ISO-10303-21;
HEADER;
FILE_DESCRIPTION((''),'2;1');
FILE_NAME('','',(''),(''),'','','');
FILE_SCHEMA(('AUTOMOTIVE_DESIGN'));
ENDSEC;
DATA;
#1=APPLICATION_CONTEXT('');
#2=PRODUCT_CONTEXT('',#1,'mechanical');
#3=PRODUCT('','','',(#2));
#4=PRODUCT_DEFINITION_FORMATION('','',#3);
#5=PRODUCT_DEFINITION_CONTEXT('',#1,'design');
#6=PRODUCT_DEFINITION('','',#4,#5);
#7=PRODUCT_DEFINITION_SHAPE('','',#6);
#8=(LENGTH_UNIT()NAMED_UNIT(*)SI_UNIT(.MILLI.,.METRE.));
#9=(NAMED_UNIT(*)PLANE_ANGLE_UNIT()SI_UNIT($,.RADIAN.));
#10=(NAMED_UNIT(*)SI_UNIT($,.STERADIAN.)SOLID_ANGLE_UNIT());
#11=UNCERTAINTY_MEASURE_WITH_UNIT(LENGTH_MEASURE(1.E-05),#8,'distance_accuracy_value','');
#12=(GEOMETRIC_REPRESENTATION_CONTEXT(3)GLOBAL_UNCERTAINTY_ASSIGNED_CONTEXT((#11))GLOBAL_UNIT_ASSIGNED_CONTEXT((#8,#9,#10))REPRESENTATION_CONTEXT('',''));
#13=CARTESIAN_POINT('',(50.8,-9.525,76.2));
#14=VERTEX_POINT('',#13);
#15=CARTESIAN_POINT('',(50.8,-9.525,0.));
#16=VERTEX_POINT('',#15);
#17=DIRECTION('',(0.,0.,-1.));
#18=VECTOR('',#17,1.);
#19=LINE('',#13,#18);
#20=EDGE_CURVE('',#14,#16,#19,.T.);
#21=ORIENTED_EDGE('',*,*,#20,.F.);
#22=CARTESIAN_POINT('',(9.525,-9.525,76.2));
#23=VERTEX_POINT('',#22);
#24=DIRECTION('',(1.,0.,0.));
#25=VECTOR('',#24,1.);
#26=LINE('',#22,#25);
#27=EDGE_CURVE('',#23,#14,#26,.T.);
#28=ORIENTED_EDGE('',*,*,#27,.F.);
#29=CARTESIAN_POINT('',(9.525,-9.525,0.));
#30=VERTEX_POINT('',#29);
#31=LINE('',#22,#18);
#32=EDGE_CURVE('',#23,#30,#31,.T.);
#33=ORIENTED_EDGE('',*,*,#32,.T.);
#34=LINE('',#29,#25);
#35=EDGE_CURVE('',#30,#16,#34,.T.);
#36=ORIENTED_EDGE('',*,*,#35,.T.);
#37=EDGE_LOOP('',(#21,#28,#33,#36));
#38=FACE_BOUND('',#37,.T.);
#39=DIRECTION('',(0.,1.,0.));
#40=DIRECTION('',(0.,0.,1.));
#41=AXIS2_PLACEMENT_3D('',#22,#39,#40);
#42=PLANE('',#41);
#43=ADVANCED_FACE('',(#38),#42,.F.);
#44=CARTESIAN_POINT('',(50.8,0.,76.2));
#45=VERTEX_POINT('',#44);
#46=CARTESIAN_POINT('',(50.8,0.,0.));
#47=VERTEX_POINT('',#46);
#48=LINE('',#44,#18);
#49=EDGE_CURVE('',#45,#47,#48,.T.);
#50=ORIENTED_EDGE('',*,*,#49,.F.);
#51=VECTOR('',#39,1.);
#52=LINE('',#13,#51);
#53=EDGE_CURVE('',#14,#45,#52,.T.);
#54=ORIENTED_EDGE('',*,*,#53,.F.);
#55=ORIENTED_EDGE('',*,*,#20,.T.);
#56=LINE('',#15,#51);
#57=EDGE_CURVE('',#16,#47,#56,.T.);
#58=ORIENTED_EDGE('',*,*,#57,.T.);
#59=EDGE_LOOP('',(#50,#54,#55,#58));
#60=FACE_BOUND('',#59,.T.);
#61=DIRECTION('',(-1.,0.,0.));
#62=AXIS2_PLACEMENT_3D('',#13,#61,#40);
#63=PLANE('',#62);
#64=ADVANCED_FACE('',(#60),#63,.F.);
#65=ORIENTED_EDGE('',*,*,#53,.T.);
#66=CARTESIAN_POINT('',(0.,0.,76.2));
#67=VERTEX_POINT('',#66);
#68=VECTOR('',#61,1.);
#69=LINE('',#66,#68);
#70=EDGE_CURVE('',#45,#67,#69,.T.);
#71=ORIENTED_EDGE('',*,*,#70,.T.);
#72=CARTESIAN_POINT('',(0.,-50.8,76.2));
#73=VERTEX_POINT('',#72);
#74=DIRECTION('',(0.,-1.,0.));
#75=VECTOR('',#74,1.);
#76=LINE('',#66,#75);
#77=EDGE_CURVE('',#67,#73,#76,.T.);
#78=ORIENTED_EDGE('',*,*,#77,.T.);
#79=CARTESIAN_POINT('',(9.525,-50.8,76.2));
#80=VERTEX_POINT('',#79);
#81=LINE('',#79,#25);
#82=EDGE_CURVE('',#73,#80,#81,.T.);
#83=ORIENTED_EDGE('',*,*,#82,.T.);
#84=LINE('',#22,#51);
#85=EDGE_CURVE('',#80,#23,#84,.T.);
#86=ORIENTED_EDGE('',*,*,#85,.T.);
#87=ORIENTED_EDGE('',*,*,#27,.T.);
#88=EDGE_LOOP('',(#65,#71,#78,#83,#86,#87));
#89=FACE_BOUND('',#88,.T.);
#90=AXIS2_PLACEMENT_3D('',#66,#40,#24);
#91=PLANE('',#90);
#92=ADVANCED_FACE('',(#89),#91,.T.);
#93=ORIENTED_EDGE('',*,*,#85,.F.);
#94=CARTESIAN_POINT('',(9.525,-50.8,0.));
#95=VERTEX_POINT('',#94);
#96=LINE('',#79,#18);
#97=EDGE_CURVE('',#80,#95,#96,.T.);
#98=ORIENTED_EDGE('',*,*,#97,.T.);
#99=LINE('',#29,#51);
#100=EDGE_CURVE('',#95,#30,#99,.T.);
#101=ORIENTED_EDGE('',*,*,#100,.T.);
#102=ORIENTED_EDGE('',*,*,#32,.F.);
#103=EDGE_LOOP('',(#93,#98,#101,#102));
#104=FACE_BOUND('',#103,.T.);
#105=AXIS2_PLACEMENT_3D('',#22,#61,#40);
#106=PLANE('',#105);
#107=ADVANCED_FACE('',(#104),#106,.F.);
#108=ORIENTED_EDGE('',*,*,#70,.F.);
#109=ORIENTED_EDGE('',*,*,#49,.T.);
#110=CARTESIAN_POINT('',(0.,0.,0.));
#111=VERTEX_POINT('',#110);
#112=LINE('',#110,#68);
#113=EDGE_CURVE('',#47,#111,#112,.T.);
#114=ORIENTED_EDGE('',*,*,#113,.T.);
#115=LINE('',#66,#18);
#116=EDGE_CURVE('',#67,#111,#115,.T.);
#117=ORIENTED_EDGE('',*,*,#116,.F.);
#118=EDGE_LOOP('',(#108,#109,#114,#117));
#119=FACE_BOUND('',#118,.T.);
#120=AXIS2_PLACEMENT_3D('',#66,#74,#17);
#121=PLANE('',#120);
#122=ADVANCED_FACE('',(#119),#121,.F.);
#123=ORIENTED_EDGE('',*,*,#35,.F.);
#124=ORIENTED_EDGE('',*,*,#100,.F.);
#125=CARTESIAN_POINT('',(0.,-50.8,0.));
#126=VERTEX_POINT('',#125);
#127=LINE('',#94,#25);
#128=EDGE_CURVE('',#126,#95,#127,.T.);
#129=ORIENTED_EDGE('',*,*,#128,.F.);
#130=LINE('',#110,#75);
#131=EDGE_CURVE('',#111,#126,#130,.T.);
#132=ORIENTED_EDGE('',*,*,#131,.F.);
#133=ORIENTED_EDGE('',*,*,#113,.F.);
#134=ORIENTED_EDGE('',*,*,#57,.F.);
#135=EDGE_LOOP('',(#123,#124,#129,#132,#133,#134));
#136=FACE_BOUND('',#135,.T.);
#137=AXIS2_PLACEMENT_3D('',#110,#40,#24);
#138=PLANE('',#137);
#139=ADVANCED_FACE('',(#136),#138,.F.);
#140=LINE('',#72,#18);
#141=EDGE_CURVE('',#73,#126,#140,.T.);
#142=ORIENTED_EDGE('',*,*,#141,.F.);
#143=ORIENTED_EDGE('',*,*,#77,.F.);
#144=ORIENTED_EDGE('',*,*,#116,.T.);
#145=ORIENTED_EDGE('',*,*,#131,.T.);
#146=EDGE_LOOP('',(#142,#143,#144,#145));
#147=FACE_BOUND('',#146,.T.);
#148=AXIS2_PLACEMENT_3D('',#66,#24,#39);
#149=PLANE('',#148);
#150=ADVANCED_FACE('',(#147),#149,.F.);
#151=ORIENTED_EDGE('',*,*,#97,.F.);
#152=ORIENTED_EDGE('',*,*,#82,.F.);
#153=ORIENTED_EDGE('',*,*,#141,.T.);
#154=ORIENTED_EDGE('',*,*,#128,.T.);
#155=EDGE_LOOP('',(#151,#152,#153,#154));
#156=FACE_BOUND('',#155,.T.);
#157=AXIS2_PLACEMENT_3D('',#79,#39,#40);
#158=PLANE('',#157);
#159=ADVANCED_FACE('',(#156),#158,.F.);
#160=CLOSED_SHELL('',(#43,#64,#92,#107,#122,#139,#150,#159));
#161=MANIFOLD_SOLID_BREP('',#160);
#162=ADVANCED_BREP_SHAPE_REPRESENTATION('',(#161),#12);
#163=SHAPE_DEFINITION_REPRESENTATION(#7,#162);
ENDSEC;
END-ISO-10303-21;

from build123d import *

# Parameters (mm, degrees)
SALIENTE_EXTRUIR1_DEPTH = 76.2


with BuildPart() as part:
    # Croquis1 → Saliente-Extruir1 (new body)
    with BuildSketch(Plane.XY):
        Polygon((0, 0), (0, -50.8), (9.525, -50.8), (9.525, -9.525), (50.8, -9.525), (50.8, 0), align=None)
    extrude(amount=SALIENTE_EXTRUIR1_DEPTH)


solid = part.part
